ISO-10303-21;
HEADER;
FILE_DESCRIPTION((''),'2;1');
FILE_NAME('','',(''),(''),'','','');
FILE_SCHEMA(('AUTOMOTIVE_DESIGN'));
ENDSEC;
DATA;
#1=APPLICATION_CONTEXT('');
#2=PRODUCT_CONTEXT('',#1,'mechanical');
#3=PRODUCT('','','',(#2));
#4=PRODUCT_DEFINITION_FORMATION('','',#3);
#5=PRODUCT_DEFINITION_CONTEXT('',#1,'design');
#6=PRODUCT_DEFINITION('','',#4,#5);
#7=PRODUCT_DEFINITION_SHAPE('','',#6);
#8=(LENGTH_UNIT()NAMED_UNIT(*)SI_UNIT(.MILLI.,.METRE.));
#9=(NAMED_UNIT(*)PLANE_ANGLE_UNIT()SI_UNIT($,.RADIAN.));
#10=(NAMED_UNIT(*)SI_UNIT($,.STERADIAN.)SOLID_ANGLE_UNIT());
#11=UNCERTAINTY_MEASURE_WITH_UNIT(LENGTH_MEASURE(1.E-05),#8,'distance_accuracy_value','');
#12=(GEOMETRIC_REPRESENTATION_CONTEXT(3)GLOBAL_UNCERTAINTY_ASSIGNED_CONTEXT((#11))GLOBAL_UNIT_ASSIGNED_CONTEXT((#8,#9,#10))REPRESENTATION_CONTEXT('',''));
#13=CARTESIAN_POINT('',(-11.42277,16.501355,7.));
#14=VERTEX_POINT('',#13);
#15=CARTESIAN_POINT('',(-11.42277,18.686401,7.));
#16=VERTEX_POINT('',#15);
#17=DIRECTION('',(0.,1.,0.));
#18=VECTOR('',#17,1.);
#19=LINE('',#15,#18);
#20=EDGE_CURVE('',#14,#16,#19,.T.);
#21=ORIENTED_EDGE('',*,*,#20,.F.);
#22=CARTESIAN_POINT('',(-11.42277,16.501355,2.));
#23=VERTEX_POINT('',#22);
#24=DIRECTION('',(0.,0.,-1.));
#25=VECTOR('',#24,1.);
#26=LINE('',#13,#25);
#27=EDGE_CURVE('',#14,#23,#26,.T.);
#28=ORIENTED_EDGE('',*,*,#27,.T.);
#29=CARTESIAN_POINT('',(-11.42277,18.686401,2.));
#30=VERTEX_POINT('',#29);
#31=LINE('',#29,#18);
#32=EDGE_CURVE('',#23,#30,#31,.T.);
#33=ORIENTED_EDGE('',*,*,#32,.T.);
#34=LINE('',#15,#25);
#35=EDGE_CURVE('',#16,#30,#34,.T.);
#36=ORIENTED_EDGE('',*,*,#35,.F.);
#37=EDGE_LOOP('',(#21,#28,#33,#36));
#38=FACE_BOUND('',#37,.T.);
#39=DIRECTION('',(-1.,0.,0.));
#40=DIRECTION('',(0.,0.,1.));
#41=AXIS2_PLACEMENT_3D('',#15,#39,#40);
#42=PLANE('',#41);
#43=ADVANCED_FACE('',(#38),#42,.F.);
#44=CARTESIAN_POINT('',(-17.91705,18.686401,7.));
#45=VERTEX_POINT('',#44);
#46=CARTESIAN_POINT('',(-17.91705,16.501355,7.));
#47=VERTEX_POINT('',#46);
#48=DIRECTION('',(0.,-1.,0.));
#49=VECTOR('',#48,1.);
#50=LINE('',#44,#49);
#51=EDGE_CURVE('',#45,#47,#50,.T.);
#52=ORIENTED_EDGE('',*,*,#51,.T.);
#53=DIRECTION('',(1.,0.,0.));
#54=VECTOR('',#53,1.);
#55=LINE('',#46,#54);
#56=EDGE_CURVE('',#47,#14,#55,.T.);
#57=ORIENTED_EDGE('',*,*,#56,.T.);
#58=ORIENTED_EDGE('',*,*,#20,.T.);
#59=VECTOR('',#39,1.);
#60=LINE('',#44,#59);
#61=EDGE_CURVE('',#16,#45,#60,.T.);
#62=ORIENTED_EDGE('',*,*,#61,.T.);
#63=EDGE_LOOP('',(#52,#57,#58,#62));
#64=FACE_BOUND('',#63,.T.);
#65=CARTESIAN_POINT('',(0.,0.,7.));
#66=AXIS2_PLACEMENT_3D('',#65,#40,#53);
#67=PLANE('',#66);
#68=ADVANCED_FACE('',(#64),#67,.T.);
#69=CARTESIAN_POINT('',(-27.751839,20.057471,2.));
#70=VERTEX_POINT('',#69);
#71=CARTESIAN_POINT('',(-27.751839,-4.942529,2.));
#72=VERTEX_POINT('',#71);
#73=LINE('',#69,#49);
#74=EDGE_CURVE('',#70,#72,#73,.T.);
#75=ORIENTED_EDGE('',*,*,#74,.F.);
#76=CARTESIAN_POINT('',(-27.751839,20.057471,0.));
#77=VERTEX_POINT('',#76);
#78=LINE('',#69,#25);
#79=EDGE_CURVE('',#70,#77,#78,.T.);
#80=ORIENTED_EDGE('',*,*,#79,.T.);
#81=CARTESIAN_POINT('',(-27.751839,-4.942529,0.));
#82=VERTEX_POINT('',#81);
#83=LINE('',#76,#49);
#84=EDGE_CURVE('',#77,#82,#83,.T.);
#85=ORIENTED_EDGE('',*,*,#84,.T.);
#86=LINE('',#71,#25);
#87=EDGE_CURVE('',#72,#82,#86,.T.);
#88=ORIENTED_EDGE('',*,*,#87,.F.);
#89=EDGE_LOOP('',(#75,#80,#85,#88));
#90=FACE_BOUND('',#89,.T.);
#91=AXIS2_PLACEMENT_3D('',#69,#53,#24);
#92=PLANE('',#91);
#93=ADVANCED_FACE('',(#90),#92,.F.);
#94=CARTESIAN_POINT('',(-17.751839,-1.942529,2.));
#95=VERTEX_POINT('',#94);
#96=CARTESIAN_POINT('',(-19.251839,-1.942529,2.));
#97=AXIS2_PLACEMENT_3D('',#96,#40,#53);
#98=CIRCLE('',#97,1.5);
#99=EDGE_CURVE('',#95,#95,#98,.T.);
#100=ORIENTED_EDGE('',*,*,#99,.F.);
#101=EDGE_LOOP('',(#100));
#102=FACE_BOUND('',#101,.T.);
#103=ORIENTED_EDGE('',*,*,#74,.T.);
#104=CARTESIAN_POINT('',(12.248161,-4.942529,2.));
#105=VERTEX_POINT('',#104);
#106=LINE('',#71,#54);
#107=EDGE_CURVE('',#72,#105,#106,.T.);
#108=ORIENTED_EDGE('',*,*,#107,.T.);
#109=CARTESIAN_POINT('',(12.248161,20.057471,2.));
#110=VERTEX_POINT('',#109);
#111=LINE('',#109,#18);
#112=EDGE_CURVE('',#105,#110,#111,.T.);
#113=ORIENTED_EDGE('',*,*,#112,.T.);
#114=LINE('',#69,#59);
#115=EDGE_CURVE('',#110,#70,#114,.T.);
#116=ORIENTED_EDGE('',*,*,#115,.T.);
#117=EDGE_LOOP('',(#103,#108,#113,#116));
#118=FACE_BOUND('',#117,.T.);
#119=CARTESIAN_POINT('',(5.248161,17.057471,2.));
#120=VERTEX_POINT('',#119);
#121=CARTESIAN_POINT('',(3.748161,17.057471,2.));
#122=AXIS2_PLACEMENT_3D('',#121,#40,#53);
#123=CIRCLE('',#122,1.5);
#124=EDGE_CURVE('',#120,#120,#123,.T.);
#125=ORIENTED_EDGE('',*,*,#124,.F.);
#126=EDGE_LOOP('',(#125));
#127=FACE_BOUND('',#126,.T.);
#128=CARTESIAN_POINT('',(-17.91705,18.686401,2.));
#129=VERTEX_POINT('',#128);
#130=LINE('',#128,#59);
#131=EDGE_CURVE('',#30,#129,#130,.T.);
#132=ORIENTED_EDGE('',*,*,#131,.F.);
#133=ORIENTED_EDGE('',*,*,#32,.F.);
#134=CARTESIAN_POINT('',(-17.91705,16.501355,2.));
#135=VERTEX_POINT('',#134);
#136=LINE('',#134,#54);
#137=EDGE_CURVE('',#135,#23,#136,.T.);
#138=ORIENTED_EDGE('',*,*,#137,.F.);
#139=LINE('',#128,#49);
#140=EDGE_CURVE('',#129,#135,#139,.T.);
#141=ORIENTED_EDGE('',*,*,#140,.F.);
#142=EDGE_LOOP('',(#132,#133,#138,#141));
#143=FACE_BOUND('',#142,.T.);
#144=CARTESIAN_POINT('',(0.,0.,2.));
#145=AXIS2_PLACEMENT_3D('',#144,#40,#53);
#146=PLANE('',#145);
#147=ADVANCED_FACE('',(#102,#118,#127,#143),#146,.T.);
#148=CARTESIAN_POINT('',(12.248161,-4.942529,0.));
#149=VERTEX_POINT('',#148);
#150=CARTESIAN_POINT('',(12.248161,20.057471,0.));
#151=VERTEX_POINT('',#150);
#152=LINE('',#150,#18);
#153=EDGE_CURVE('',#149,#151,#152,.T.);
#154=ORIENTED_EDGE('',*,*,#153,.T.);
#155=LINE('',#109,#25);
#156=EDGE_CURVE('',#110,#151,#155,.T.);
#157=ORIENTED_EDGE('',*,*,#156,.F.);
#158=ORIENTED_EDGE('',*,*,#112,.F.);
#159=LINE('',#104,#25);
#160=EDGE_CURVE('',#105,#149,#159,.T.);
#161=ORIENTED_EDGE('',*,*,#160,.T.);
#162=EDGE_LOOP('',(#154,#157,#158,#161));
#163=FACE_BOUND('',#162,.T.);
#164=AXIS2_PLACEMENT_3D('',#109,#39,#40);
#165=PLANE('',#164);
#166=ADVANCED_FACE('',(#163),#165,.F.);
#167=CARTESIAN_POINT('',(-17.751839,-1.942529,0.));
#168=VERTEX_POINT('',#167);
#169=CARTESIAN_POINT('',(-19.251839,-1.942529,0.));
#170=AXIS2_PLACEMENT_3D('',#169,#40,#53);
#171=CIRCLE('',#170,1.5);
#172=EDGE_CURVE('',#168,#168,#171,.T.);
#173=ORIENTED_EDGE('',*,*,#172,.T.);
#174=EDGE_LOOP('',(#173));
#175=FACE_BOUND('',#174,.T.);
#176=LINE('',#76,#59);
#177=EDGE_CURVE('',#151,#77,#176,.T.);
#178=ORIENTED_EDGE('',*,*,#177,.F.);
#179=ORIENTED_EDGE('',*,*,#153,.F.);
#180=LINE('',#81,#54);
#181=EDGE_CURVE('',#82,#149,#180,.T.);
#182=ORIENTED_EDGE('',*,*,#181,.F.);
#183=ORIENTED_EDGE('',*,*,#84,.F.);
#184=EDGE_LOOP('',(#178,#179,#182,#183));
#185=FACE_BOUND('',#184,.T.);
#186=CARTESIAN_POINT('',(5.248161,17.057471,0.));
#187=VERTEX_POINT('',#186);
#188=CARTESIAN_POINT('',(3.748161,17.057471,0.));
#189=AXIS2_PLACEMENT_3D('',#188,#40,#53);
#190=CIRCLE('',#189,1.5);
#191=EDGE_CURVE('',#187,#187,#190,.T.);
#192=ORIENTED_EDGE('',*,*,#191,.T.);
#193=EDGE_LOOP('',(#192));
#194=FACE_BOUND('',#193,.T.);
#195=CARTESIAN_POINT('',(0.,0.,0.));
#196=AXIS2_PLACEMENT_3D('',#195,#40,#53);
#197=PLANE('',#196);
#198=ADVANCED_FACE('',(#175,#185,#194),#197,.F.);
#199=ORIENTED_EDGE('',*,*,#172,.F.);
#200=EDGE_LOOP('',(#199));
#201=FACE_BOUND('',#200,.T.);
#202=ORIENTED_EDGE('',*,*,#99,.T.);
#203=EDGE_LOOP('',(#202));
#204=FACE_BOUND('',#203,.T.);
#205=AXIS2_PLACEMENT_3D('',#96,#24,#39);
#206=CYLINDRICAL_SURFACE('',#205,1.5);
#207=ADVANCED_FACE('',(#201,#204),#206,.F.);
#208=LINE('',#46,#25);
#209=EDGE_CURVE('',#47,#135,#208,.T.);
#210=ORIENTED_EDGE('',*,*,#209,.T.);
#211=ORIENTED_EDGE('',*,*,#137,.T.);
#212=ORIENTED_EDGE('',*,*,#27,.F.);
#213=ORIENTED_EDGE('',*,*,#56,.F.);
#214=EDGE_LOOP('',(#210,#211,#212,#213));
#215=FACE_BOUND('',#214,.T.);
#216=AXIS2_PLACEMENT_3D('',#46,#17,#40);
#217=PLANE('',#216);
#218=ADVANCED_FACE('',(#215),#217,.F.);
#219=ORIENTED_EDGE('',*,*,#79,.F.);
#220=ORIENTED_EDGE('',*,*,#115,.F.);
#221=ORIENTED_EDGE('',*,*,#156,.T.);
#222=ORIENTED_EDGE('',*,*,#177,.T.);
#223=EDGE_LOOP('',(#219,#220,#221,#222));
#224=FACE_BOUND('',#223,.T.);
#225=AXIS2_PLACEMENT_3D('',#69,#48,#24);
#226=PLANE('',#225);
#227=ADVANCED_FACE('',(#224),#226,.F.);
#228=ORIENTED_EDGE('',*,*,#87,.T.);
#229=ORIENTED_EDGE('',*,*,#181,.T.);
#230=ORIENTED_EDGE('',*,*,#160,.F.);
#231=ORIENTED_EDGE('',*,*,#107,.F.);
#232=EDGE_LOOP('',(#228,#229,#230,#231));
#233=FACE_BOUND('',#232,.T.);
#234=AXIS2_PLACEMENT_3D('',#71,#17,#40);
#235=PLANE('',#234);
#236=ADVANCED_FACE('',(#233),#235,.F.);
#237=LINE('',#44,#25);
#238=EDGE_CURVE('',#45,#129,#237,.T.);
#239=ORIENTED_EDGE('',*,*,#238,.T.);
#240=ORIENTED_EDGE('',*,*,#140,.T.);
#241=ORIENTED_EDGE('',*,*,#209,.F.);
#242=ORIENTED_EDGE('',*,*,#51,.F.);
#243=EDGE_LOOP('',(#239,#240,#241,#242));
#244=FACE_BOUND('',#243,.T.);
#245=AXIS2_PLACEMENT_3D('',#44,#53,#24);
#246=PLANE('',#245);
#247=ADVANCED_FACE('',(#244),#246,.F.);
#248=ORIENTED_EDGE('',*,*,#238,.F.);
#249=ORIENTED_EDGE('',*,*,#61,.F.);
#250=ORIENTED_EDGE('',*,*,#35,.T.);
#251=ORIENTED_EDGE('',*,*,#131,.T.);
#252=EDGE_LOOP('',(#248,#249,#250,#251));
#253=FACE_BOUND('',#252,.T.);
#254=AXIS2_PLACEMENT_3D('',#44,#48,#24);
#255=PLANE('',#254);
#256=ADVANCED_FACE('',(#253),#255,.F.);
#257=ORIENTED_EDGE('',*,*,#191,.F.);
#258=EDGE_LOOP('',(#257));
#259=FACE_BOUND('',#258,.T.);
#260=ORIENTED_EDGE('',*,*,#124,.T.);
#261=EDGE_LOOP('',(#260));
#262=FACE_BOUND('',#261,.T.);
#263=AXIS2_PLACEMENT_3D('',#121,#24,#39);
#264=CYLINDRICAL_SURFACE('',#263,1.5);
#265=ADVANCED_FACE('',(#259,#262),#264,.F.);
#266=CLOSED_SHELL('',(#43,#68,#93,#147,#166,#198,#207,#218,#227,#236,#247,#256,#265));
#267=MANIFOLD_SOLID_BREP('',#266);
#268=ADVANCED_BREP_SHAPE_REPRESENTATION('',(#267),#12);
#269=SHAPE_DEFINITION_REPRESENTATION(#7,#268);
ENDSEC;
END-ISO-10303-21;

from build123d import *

# Parameters (mm, degrees)
CROQUIS1_W              = 40
CROQUIS1_H              = 25
CROQUIS1_R              = 1.5
SALIENTE_EXTRUIR1_DEPTH = 2
CROQUIS2_W              = 6.494279544
CROQUIS2_H              = 2.185045418
SALIENTE_EXTRUIR2_DEPTH = 5


with BuildPart() as part:
    # Croquis1 → Saliente-Extruir1 (new body)
    with BuildSketch(Plane.XY):
        with Locations((-7.751839327, 7.557471264)):
            Rectangle(CROQUIS1_W, CROQUIS1_H)
        with Locations((3.748160673, 17.057471264)):
            Circle(CROQUIS1_R, mode=Mode.SUBTRACT)
        with Locations((-19.251839327, -1.942528736)):
            Circle(CROQUIS1_R, mode=Mode.SUBTRACT)
    extrude(amount=SALIENTE_EXTRUIR1_DEPTH)

    # Croquis2 → Saliente-Extruir2 (add)
    with BuildSketch(Plane.XY.offset(2)):
        with Locations((-14.669910238, 17.593878177)):
            Rectangle(CROQUIS2_W, CROQUIS2_H)
    extrude(amount=SALIENTE_EXTRUIR2_DEPTH)


solid = part.part
